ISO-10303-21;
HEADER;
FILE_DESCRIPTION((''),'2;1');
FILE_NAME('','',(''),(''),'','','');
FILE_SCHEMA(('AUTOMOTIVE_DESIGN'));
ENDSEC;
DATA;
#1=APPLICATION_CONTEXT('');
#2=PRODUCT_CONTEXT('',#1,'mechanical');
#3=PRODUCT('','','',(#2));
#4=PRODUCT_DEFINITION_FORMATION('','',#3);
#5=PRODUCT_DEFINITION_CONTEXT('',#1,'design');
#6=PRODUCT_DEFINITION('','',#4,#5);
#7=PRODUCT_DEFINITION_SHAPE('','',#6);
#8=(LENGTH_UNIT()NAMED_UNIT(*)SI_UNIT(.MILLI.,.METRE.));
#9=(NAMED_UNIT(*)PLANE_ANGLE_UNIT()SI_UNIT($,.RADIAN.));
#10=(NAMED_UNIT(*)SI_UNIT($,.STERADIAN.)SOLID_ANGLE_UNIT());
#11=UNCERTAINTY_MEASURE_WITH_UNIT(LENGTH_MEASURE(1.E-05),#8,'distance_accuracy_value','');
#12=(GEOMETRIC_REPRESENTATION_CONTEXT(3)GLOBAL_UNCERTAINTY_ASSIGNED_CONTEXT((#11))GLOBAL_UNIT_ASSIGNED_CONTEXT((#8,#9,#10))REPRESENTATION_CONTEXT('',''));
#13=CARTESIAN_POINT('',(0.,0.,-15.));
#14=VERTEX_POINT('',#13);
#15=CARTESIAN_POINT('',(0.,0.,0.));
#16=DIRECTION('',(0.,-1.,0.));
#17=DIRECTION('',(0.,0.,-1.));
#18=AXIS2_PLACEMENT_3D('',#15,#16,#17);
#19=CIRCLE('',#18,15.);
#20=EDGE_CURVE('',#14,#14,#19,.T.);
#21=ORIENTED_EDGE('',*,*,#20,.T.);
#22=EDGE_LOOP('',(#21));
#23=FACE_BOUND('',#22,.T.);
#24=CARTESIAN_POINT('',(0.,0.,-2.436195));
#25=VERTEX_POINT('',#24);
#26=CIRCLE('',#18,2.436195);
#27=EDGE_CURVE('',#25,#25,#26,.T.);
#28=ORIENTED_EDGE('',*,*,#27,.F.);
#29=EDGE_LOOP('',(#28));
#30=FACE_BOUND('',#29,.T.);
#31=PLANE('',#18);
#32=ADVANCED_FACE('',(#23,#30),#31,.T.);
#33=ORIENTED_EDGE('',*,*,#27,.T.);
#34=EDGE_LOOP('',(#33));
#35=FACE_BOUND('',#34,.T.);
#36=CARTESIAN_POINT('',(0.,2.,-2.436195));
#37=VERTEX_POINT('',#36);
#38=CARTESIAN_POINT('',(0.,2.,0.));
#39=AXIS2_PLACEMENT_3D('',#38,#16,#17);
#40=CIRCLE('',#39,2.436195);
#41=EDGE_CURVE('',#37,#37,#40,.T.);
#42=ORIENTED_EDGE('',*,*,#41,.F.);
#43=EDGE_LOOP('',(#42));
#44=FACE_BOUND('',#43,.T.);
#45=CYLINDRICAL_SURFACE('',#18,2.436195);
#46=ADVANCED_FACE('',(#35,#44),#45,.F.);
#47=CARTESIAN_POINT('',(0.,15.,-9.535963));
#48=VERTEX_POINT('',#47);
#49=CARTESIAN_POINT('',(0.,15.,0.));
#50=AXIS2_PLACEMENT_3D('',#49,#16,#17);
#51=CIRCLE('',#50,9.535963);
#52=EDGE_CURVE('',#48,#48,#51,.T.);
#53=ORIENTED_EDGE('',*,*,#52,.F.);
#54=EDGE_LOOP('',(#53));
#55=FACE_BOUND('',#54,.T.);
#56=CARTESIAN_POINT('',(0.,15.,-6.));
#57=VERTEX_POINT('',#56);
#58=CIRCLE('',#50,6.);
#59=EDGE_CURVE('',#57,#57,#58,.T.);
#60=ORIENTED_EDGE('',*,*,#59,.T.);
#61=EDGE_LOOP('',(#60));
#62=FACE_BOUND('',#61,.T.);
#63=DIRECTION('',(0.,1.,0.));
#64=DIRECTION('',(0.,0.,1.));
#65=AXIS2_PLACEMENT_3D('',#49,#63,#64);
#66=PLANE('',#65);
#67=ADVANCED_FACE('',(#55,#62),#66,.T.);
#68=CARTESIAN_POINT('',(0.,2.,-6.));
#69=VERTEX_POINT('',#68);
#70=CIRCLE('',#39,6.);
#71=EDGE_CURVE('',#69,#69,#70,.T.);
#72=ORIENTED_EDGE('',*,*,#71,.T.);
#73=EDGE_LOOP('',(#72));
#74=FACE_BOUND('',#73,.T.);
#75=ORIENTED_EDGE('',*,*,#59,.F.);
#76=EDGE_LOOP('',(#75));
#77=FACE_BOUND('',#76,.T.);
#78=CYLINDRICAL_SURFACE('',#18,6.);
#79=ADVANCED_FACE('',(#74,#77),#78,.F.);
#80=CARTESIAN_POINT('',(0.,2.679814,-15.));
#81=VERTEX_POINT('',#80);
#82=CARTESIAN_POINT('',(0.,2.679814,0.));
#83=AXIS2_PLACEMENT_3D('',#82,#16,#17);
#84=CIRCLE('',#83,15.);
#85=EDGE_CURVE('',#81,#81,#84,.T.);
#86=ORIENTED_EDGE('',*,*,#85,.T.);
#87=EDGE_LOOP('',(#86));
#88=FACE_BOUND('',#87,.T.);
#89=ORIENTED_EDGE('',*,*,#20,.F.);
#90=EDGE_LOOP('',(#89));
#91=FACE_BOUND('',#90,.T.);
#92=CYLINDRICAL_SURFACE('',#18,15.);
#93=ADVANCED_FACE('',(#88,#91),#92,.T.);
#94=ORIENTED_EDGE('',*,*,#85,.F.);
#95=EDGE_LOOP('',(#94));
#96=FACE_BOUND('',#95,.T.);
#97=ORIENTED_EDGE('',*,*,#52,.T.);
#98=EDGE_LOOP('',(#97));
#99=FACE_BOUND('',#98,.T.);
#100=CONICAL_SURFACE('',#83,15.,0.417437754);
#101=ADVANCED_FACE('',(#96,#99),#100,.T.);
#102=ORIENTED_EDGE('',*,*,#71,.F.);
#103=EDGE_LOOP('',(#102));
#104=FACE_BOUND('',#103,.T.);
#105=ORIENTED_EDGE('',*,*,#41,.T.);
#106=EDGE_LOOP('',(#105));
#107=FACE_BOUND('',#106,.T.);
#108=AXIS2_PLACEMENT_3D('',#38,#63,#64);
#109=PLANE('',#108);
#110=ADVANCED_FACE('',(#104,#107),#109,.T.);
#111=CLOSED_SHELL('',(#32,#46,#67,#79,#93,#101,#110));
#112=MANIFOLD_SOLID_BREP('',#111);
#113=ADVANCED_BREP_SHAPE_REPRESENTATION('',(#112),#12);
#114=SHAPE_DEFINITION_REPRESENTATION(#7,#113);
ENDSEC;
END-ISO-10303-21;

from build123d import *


with BuildPart() as part:
    # Sketch1 → Revolve1 (revolve)
    with BuildSketch(Plane.XY, mode=Mode.PRIVATE) as revolve1_sk:
        Polygon((-2.436194896, 2), (-2.436194896, 0), (-15, 0), (-15, 2.679814385), (-9.535962877, 15), (-6, 15), (-6, 2), align=None)
    revolve(revolve1_sk.sketch.rotate(Axis((0, 0, 0), (0, 1, 0)), 270), axis=Axis((0, 0, 0), (0, 1, 0)))


solid = part.part
